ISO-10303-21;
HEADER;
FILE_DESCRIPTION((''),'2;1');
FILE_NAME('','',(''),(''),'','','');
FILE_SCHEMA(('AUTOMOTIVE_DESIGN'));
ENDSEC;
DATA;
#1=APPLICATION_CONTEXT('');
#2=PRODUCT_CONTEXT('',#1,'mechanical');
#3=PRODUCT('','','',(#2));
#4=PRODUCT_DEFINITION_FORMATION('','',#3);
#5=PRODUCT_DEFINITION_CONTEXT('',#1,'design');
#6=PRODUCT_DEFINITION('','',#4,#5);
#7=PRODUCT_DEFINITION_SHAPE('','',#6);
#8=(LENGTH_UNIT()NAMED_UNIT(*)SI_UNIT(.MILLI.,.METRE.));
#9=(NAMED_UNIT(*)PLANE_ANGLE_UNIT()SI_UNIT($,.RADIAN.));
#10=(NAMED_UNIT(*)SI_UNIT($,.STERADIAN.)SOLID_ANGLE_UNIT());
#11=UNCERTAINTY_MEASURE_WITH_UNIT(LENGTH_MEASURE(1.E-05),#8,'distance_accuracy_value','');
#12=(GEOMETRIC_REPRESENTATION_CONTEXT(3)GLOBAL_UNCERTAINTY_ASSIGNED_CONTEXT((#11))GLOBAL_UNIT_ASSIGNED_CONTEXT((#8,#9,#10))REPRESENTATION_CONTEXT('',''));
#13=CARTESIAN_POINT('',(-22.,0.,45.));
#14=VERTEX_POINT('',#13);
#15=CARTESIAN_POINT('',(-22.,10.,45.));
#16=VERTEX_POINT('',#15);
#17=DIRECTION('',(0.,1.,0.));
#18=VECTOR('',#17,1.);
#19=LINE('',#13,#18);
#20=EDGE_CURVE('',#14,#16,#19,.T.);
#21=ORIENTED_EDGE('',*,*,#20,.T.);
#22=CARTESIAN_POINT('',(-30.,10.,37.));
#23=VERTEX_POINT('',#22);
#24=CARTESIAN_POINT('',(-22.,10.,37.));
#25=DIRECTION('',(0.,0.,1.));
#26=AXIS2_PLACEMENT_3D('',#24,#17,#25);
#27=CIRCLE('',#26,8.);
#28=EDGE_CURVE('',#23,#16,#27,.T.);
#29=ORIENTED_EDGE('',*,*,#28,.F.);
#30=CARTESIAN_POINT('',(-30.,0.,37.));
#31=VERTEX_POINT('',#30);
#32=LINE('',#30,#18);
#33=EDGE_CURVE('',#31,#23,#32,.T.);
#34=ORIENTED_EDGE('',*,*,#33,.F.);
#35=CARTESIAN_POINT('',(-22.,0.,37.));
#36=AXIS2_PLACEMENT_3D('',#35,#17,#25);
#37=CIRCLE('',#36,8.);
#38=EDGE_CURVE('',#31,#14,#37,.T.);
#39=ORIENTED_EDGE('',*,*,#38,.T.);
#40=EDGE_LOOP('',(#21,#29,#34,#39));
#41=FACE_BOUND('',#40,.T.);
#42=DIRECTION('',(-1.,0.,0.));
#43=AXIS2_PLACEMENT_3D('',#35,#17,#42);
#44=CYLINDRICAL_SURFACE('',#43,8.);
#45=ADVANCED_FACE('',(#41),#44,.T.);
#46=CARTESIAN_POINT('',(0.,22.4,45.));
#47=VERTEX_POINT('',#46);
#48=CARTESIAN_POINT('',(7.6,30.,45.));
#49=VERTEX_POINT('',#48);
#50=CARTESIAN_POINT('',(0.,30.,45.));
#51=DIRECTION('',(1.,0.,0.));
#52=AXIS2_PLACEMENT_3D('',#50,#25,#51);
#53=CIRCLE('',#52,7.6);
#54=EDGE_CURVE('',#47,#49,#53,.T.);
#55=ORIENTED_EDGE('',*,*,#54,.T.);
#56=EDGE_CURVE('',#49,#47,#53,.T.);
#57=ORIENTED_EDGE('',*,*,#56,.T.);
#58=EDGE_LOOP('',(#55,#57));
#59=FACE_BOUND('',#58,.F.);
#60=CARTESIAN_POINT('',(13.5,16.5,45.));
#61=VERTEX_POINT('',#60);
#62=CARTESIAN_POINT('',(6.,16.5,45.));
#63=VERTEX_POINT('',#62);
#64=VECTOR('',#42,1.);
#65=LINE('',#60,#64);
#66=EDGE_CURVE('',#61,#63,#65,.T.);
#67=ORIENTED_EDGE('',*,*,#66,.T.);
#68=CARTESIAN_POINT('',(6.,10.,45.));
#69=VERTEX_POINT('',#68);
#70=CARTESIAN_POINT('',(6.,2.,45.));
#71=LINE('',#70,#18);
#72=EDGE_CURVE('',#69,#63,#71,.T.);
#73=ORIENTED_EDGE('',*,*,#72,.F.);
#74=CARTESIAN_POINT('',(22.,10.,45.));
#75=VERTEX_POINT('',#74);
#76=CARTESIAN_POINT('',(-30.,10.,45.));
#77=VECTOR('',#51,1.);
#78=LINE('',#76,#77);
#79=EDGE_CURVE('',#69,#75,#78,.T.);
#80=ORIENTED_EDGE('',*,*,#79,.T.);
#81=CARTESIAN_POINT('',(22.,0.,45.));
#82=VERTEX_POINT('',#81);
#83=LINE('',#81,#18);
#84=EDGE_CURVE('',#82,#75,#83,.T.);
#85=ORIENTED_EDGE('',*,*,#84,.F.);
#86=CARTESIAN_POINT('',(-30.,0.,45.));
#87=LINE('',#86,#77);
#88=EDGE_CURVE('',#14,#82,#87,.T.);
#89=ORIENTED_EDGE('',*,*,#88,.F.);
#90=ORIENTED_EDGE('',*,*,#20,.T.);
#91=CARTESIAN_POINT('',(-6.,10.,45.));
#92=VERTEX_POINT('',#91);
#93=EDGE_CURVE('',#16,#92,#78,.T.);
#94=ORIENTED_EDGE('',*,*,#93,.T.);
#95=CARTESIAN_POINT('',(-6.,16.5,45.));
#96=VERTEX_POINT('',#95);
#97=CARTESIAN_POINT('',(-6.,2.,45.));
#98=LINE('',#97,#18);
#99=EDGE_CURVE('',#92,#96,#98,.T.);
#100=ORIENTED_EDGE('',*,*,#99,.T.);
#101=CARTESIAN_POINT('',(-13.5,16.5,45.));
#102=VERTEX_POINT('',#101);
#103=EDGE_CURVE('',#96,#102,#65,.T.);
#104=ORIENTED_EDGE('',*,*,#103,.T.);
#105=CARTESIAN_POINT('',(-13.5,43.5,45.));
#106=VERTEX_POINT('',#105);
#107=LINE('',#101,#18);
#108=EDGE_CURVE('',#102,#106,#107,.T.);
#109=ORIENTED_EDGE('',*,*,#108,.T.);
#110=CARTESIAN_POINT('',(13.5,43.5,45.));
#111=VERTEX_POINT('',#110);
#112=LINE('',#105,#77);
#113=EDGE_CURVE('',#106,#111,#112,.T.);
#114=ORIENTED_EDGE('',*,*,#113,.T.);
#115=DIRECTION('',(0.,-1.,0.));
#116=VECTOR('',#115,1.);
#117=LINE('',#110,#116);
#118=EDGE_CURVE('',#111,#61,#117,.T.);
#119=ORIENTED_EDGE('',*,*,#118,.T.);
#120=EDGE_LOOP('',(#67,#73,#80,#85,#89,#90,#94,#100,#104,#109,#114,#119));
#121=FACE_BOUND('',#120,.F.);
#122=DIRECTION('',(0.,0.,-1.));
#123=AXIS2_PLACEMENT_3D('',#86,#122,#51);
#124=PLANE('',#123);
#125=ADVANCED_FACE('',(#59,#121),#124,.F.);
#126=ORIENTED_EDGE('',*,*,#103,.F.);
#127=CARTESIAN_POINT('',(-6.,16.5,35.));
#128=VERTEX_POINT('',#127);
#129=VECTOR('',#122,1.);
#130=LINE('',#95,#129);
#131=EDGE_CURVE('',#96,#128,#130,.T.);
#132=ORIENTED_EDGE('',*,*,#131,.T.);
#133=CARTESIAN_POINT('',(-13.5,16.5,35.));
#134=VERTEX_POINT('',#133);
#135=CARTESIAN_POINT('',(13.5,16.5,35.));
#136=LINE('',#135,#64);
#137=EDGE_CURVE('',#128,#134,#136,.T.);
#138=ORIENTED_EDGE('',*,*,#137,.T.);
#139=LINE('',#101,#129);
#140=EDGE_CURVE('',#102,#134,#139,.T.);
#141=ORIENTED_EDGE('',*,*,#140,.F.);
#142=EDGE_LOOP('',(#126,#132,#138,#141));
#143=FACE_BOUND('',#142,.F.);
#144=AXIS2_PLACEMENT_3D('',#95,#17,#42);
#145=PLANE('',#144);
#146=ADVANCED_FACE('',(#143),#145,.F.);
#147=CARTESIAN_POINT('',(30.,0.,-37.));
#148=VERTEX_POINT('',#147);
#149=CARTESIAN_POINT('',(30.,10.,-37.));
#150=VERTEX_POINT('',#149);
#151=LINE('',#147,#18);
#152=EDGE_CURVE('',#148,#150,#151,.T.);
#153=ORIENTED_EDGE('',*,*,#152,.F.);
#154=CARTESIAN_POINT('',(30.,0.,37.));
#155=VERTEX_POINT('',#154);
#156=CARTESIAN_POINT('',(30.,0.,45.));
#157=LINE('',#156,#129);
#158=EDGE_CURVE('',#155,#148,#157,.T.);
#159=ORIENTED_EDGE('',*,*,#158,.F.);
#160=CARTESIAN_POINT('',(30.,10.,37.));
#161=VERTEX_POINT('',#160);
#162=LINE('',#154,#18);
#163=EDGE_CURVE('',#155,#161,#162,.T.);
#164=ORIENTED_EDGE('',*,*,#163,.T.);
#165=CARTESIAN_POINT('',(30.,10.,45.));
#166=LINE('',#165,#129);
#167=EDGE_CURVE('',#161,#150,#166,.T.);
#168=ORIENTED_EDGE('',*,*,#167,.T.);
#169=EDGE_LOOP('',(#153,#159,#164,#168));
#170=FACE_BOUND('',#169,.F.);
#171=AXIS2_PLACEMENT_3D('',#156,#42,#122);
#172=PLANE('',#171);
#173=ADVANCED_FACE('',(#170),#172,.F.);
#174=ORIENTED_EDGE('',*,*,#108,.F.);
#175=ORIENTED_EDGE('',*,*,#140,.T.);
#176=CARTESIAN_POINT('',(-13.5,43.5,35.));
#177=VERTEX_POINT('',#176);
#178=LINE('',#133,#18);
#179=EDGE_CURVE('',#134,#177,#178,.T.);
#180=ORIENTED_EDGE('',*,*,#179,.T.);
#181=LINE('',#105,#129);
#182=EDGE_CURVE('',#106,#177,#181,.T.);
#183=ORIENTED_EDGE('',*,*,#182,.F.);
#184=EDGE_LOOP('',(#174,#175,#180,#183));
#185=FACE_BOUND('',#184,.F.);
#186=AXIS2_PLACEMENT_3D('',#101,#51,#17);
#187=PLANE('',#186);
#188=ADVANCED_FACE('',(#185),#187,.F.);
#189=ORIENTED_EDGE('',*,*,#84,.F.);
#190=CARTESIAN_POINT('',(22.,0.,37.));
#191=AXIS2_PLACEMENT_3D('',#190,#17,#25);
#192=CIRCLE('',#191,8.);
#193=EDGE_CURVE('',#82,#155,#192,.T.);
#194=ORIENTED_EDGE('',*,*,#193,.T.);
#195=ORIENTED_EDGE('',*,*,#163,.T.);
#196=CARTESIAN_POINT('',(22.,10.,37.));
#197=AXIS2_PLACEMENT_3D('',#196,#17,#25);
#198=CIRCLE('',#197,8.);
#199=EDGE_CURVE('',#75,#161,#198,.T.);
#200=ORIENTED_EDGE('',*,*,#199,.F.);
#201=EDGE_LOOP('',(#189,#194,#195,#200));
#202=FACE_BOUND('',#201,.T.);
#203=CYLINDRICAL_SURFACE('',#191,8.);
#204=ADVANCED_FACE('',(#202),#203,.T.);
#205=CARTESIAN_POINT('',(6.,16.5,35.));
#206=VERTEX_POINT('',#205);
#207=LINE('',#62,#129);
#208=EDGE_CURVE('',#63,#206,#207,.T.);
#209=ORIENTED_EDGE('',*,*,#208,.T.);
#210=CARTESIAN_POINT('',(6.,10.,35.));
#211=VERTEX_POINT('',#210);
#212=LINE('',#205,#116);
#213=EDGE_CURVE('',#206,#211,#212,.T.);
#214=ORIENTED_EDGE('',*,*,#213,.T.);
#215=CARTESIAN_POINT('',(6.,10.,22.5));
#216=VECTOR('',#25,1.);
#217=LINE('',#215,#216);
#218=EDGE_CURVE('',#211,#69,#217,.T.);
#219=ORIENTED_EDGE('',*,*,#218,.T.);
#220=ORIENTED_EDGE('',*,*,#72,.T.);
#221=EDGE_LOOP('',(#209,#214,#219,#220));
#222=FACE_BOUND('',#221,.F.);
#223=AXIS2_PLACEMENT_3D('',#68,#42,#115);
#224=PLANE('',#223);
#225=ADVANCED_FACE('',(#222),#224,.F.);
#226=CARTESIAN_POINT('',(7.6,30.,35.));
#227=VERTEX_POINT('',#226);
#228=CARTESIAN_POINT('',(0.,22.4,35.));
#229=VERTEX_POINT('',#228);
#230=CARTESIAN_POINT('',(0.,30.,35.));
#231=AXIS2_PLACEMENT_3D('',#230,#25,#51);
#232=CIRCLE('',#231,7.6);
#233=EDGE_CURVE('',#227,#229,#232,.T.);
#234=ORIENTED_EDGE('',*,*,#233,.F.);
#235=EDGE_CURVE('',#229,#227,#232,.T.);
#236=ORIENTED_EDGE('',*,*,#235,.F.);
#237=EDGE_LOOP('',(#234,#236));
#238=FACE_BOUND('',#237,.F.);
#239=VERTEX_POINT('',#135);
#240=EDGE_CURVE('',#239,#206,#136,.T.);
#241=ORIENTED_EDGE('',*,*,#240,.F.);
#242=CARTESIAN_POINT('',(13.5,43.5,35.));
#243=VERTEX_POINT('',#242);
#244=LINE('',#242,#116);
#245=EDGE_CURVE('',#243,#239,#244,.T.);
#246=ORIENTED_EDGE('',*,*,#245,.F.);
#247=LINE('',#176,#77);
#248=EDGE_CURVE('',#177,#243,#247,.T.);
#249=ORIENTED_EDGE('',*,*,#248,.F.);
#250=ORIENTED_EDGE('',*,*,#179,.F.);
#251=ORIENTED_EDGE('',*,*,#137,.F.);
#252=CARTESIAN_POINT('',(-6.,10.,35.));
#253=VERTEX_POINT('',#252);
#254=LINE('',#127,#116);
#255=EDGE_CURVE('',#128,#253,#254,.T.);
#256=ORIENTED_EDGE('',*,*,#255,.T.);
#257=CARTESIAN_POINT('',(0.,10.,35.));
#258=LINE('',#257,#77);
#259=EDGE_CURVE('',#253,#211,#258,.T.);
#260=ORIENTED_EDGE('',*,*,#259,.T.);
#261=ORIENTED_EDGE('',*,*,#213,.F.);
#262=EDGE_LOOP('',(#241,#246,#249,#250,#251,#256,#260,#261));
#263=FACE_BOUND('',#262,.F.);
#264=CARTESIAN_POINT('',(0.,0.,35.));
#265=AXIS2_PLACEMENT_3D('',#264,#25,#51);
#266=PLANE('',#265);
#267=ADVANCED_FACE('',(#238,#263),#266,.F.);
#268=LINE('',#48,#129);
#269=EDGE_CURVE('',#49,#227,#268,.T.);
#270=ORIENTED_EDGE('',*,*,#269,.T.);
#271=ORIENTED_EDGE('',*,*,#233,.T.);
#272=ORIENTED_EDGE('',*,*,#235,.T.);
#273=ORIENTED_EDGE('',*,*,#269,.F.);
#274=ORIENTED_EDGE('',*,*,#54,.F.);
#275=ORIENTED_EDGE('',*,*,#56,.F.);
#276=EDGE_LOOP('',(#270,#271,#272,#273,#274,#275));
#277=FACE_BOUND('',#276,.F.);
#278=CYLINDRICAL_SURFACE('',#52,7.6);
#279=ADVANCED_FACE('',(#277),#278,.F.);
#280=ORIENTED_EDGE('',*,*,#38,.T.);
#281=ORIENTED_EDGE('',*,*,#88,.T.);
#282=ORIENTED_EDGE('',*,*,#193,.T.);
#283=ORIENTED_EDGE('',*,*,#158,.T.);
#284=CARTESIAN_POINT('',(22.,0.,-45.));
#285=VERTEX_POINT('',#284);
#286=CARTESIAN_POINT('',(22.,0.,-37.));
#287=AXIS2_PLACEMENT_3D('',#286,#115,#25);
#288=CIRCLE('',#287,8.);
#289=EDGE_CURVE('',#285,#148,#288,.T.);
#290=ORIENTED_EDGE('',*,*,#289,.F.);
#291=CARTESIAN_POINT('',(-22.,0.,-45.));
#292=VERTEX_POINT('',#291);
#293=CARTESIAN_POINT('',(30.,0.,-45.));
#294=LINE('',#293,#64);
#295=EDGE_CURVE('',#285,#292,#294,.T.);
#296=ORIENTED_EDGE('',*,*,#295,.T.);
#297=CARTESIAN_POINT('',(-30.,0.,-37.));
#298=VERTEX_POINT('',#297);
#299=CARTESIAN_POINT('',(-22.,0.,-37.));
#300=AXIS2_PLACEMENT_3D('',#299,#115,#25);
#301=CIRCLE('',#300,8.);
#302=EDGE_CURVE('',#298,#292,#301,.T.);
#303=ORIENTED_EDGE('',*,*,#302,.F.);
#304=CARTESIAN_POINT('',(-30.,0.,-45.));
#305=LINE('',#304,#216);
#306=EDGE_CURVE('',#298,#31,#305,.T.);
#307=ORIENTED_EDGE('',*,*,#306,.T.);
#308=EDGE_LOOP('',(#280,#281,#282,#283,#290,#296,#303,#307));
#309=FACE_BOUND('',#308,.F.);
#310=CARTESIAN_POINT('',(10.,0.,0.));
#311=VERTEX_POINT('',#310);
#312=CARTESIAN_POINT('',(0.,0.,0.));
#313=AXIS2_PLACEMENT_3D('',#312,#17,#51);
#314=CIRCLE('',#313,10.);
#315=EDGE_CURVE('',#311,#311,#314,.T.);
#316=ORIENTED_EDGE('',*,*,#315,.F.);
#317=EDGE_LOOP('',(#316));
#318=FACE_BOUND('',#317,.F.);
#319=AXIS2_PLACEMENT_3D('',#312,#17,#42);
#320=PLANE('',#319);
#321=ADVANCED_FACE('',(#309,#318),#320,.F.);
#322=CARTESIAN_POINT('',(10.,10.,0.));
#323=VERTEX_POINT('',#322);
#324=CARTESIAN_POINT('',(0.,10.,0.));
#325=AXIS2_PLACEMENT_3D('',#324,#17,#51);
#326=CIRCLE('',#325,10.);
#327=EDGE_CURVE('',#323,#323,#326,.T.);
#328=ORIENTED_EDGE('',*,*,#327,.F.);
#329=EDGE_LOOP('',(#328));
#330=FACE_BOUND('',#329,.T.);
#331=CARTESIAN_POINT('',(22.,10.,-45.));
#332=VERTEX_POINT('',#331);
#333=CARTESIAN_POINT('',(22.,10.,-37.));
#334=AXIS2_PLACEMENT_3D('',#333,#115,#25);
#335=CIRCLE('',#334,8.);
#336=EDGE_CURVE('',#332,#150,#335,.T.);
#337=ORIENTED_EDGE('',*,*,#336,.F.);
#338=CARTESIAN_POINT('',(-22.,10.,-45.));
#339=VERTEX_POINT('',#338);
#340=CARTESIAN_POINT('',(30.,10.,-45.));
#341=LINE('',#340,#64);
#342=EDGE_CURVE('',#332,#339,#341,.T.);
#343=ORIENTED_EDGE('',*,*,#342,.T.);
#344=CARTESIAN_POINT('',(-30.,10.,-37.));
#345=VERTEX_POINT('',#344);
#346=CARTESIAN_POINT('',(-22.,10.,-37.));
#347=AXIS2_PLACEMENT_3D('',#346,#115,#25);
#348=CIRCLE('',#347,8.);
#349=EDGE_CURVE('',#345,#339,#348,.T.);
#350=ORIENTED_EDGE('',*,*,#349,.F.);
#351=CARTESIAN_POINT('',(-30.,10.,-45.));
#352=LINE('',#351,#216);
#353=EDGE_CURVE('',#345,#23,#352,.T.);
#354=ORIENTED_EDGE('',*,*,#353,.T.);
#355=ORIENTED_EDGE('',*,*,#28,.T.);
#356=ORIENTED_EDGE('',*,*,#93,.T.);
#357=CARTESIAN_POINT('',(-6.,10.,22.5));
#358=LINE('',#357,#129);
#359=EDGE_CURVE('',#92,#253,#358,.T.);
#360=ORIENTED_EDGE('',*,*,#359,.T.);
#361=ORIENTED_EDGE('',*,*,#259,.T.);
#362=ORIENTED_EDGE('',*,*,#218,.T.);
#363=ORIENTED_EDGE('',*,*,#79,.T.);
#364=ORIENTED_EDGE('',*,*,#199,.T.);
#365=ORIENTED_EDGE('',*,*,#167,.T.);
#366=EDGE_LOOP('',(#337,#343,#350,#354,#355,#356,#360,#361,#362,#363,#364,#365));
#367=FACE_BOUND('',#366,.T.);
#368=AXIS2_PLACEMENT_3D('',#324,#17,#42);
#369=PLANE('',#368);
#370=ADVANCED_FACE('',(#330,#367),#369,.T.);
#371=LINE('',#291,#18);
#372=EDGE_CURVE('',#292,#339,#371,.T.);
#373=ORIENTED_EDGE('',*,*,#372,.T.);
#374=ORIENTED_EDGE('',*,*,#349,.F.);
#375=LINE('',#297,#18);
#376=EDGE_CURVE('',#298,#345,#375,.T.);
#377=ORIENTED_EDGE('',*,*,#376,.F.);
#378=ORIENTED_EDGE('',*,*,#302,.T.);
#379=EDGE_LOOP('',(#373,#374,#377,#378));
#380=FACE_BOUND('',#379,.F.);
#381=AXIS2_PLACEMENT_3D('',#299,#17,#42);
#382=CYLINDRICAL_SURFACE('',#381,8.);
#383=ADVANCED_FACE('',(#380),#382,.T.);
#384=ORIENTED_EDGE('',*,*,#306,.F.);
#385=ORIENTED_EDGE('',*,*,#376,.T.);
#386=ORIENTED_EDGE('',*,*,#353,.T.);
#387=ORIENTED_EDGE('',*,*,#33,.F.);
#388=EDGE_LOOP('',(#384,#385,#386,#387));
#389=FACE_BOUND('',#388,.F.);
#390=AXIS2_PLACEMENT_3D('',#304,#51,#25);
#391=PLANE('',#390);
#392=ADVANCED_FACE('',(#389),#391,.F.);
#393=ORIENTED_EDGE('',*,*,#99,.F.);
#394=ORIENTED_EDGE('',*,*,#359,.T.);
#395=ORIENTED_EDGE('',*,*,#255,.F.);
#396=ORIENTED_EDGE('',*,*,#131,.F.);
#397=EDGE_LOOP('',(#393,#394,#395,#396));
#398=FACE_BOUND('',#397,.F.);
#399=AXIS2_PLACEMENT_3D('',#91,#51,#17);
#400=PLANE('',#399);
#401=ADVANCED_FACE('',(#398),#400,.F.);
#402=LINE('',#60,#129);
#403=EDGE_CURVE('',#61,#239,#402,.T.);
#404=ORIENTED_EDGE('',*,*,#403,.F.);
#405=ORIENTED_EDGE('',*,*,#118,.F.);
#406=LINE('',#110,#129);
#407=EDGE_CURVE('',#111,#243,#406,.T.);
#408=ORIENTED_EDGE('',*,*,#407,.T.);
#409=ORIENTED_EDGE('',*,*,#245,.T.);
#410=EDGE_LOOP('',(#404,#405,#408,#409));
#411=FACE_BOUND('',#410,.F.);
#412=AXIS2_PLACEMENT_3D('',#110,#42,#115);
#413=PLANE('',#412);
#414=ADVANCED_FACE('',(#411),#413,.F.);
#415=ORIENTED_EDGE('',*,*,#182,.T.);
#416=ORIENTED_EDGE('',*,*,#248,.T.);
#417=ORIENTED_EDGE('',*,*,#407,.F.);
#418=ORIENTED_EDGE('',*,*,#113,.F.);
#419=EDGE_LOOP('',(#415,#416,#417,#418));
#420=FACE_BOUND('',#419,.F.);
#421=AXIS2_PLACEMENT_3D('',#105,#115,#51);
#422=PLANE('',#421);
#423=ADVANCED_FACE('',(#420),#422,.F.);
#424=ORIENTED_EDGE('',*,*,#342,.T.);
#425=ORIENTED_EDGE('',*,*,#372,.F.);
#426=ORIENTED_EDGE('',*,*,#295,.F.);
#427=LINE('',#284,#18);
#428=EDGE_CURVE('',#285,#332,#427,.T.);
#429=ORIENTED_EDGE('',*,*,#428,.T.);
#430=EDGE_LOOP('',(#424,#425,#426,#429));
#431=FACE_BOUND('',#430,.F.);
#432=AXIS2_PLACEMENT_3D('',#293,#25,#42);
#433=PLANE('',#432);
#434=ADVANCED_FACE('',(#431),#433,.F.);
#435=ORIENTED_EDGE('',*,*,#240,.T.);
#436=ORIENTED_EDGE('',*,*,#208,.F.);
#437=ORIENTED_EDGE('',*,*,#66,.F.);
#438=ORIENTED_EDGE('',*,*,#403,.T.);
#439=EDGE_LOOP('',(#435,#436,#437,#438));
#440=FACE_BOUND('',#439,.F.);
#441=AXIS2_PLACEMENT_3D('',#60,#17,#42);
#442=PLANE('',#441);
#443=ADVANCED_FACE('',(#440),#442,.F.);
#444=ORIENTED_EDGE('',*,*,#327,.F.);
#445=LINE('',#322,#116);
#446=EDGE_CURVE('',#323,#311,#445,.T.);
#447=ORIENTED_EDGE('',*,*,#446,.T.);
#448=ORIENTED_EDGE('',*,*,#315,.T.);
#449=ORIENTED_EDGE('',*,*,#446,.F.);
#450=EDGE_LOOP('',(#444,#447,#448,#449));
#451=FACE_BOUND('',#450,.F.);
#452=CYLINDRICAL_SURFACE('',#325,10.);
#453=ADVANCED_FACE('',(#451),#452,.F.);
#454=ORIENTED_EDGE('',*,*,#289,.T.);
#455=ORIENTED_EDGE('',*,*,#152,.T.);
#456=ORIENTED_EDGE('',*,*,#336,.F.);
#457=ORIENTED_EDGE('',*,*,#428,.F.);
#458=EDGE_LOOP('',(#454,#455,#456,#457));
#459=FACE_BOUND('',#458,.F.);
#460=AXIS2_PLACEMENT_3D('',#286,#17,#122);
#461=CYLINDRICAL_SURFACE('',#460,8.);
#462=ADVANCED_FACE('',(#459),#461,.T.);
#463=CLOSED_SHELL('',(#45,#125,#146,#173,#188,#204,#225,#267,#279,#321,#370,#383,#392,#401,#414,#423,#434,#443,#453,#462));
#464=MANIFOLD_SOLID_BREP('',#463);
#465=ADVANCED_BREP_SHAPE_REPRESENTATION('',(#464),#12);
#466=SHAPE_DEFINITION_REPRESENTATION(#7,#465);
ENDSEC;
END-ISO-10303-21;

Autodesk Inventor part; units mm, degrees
ref_plane "YZ Plane" through (0, 0, 0) normal (1, 0, 0) x (0, 1, 0)
ref_plane "XZ Plane" through (0, 0, 0) normal (0, 1, 0) x (-1, 0, 0)
sketch "Sketch1" plane through (0, 0, 0) normal (0, 1, 0) x (-1, 0, 0)
  line L0 (30, 45) -> (-30, 45)
  line L1 (-30, 45) -> (-30, -45)
  line L2 (-30, -45) -> (30, -45)
  line L3 (30, -45) -> (30, 45)
  line L4 (30, 45) -> (-30, -45) construction
  line L5 (-30, 45) -> (30, -45) construction
  point P0 (0, 0)
  dimension "d0" = 60
  dimension "d1" = 90
extrude "Extrusion1" add sketch "Sketch1" along normal blind 10
ref_plane "Work Plane1" through (0, 0, 45) normal (0, 0, 1) x (1, 0, 0)
sketch "Sketch4" plane through (0, 0, 45) normal (0, 0, 1) x (1, 0, 0)
  line L0 (-30, 10) -> (30, 10) projected
  line L1 (0, 10) -> (0, 30)
  line L2 (-5, 10) -> (5, 10)
  circle A0 centre (0, 30) radius 7.6
  line L3 (-13.5, 43.5) -> (13.5, 43.5)
  line L4 (13.5, 43.5) -> (13.5, 16.5)
  line L5 (13.5, 16.5) -> (-13.5, 16.5)
  line L6 (-13.5, 16.5) -> (-13.5, 43.5)
  line L7 (-13.5, 43.5) -> (13.5, 16.5) construction
  line L8 (13.5, 43.5) -> (-13.5, 16.5) construction
  line L9 (-6, 18) -> (6, 18)
  line L10 (6, 18) -> (6, 2)
  line L11 (6, 2) -> (-6, 2)
  line L12 (-6, 2) -> (-6, 18)
  line L13 (-6, 18) -> (6, 2) construction
  line L14 (6, 18) -> (-6, 2) construction
  point P0 (0, 0)
  point P1 (6, 16.5)
  point P2 (-6, 16.5)
  dimension "d11" = 20
  dimension "d27" = 15.2
  dimension "d28" = 27
  dimension "d29" = 27
  dimension "d30" = 12
  dimension "d31" = 16
extrude "Extrusion3" add sketch "Sketch4" against normal blind 10
fillet "Fillet2" radius 8 4 edges at (-30, 5, 45) (30, 5, 45) (30, 5, -45) (-30, 5, -45)
sketch "Sketch5" plane through (0, 10, 0) normal (0, 1, 0) x (1, 0, 0)
  circle A0 centre (0, 0) radius 10
  dimension "d20" = 20
extrude "Extrusion4" cut sketch "Sketch5" against normal blind 10
sketch "Sketch6" plane through (0, 0, 45) normal (0, 0, 1) x (1, 0, 0)
  point P0 (0, 0)
sketch "Sketch7" plane through (0, 0, 45) normal (0, 0, 1) x (1, 0, 0)
  point P0 (0, 0)
properties part number "BASE DE YUGO ESCOCES"
